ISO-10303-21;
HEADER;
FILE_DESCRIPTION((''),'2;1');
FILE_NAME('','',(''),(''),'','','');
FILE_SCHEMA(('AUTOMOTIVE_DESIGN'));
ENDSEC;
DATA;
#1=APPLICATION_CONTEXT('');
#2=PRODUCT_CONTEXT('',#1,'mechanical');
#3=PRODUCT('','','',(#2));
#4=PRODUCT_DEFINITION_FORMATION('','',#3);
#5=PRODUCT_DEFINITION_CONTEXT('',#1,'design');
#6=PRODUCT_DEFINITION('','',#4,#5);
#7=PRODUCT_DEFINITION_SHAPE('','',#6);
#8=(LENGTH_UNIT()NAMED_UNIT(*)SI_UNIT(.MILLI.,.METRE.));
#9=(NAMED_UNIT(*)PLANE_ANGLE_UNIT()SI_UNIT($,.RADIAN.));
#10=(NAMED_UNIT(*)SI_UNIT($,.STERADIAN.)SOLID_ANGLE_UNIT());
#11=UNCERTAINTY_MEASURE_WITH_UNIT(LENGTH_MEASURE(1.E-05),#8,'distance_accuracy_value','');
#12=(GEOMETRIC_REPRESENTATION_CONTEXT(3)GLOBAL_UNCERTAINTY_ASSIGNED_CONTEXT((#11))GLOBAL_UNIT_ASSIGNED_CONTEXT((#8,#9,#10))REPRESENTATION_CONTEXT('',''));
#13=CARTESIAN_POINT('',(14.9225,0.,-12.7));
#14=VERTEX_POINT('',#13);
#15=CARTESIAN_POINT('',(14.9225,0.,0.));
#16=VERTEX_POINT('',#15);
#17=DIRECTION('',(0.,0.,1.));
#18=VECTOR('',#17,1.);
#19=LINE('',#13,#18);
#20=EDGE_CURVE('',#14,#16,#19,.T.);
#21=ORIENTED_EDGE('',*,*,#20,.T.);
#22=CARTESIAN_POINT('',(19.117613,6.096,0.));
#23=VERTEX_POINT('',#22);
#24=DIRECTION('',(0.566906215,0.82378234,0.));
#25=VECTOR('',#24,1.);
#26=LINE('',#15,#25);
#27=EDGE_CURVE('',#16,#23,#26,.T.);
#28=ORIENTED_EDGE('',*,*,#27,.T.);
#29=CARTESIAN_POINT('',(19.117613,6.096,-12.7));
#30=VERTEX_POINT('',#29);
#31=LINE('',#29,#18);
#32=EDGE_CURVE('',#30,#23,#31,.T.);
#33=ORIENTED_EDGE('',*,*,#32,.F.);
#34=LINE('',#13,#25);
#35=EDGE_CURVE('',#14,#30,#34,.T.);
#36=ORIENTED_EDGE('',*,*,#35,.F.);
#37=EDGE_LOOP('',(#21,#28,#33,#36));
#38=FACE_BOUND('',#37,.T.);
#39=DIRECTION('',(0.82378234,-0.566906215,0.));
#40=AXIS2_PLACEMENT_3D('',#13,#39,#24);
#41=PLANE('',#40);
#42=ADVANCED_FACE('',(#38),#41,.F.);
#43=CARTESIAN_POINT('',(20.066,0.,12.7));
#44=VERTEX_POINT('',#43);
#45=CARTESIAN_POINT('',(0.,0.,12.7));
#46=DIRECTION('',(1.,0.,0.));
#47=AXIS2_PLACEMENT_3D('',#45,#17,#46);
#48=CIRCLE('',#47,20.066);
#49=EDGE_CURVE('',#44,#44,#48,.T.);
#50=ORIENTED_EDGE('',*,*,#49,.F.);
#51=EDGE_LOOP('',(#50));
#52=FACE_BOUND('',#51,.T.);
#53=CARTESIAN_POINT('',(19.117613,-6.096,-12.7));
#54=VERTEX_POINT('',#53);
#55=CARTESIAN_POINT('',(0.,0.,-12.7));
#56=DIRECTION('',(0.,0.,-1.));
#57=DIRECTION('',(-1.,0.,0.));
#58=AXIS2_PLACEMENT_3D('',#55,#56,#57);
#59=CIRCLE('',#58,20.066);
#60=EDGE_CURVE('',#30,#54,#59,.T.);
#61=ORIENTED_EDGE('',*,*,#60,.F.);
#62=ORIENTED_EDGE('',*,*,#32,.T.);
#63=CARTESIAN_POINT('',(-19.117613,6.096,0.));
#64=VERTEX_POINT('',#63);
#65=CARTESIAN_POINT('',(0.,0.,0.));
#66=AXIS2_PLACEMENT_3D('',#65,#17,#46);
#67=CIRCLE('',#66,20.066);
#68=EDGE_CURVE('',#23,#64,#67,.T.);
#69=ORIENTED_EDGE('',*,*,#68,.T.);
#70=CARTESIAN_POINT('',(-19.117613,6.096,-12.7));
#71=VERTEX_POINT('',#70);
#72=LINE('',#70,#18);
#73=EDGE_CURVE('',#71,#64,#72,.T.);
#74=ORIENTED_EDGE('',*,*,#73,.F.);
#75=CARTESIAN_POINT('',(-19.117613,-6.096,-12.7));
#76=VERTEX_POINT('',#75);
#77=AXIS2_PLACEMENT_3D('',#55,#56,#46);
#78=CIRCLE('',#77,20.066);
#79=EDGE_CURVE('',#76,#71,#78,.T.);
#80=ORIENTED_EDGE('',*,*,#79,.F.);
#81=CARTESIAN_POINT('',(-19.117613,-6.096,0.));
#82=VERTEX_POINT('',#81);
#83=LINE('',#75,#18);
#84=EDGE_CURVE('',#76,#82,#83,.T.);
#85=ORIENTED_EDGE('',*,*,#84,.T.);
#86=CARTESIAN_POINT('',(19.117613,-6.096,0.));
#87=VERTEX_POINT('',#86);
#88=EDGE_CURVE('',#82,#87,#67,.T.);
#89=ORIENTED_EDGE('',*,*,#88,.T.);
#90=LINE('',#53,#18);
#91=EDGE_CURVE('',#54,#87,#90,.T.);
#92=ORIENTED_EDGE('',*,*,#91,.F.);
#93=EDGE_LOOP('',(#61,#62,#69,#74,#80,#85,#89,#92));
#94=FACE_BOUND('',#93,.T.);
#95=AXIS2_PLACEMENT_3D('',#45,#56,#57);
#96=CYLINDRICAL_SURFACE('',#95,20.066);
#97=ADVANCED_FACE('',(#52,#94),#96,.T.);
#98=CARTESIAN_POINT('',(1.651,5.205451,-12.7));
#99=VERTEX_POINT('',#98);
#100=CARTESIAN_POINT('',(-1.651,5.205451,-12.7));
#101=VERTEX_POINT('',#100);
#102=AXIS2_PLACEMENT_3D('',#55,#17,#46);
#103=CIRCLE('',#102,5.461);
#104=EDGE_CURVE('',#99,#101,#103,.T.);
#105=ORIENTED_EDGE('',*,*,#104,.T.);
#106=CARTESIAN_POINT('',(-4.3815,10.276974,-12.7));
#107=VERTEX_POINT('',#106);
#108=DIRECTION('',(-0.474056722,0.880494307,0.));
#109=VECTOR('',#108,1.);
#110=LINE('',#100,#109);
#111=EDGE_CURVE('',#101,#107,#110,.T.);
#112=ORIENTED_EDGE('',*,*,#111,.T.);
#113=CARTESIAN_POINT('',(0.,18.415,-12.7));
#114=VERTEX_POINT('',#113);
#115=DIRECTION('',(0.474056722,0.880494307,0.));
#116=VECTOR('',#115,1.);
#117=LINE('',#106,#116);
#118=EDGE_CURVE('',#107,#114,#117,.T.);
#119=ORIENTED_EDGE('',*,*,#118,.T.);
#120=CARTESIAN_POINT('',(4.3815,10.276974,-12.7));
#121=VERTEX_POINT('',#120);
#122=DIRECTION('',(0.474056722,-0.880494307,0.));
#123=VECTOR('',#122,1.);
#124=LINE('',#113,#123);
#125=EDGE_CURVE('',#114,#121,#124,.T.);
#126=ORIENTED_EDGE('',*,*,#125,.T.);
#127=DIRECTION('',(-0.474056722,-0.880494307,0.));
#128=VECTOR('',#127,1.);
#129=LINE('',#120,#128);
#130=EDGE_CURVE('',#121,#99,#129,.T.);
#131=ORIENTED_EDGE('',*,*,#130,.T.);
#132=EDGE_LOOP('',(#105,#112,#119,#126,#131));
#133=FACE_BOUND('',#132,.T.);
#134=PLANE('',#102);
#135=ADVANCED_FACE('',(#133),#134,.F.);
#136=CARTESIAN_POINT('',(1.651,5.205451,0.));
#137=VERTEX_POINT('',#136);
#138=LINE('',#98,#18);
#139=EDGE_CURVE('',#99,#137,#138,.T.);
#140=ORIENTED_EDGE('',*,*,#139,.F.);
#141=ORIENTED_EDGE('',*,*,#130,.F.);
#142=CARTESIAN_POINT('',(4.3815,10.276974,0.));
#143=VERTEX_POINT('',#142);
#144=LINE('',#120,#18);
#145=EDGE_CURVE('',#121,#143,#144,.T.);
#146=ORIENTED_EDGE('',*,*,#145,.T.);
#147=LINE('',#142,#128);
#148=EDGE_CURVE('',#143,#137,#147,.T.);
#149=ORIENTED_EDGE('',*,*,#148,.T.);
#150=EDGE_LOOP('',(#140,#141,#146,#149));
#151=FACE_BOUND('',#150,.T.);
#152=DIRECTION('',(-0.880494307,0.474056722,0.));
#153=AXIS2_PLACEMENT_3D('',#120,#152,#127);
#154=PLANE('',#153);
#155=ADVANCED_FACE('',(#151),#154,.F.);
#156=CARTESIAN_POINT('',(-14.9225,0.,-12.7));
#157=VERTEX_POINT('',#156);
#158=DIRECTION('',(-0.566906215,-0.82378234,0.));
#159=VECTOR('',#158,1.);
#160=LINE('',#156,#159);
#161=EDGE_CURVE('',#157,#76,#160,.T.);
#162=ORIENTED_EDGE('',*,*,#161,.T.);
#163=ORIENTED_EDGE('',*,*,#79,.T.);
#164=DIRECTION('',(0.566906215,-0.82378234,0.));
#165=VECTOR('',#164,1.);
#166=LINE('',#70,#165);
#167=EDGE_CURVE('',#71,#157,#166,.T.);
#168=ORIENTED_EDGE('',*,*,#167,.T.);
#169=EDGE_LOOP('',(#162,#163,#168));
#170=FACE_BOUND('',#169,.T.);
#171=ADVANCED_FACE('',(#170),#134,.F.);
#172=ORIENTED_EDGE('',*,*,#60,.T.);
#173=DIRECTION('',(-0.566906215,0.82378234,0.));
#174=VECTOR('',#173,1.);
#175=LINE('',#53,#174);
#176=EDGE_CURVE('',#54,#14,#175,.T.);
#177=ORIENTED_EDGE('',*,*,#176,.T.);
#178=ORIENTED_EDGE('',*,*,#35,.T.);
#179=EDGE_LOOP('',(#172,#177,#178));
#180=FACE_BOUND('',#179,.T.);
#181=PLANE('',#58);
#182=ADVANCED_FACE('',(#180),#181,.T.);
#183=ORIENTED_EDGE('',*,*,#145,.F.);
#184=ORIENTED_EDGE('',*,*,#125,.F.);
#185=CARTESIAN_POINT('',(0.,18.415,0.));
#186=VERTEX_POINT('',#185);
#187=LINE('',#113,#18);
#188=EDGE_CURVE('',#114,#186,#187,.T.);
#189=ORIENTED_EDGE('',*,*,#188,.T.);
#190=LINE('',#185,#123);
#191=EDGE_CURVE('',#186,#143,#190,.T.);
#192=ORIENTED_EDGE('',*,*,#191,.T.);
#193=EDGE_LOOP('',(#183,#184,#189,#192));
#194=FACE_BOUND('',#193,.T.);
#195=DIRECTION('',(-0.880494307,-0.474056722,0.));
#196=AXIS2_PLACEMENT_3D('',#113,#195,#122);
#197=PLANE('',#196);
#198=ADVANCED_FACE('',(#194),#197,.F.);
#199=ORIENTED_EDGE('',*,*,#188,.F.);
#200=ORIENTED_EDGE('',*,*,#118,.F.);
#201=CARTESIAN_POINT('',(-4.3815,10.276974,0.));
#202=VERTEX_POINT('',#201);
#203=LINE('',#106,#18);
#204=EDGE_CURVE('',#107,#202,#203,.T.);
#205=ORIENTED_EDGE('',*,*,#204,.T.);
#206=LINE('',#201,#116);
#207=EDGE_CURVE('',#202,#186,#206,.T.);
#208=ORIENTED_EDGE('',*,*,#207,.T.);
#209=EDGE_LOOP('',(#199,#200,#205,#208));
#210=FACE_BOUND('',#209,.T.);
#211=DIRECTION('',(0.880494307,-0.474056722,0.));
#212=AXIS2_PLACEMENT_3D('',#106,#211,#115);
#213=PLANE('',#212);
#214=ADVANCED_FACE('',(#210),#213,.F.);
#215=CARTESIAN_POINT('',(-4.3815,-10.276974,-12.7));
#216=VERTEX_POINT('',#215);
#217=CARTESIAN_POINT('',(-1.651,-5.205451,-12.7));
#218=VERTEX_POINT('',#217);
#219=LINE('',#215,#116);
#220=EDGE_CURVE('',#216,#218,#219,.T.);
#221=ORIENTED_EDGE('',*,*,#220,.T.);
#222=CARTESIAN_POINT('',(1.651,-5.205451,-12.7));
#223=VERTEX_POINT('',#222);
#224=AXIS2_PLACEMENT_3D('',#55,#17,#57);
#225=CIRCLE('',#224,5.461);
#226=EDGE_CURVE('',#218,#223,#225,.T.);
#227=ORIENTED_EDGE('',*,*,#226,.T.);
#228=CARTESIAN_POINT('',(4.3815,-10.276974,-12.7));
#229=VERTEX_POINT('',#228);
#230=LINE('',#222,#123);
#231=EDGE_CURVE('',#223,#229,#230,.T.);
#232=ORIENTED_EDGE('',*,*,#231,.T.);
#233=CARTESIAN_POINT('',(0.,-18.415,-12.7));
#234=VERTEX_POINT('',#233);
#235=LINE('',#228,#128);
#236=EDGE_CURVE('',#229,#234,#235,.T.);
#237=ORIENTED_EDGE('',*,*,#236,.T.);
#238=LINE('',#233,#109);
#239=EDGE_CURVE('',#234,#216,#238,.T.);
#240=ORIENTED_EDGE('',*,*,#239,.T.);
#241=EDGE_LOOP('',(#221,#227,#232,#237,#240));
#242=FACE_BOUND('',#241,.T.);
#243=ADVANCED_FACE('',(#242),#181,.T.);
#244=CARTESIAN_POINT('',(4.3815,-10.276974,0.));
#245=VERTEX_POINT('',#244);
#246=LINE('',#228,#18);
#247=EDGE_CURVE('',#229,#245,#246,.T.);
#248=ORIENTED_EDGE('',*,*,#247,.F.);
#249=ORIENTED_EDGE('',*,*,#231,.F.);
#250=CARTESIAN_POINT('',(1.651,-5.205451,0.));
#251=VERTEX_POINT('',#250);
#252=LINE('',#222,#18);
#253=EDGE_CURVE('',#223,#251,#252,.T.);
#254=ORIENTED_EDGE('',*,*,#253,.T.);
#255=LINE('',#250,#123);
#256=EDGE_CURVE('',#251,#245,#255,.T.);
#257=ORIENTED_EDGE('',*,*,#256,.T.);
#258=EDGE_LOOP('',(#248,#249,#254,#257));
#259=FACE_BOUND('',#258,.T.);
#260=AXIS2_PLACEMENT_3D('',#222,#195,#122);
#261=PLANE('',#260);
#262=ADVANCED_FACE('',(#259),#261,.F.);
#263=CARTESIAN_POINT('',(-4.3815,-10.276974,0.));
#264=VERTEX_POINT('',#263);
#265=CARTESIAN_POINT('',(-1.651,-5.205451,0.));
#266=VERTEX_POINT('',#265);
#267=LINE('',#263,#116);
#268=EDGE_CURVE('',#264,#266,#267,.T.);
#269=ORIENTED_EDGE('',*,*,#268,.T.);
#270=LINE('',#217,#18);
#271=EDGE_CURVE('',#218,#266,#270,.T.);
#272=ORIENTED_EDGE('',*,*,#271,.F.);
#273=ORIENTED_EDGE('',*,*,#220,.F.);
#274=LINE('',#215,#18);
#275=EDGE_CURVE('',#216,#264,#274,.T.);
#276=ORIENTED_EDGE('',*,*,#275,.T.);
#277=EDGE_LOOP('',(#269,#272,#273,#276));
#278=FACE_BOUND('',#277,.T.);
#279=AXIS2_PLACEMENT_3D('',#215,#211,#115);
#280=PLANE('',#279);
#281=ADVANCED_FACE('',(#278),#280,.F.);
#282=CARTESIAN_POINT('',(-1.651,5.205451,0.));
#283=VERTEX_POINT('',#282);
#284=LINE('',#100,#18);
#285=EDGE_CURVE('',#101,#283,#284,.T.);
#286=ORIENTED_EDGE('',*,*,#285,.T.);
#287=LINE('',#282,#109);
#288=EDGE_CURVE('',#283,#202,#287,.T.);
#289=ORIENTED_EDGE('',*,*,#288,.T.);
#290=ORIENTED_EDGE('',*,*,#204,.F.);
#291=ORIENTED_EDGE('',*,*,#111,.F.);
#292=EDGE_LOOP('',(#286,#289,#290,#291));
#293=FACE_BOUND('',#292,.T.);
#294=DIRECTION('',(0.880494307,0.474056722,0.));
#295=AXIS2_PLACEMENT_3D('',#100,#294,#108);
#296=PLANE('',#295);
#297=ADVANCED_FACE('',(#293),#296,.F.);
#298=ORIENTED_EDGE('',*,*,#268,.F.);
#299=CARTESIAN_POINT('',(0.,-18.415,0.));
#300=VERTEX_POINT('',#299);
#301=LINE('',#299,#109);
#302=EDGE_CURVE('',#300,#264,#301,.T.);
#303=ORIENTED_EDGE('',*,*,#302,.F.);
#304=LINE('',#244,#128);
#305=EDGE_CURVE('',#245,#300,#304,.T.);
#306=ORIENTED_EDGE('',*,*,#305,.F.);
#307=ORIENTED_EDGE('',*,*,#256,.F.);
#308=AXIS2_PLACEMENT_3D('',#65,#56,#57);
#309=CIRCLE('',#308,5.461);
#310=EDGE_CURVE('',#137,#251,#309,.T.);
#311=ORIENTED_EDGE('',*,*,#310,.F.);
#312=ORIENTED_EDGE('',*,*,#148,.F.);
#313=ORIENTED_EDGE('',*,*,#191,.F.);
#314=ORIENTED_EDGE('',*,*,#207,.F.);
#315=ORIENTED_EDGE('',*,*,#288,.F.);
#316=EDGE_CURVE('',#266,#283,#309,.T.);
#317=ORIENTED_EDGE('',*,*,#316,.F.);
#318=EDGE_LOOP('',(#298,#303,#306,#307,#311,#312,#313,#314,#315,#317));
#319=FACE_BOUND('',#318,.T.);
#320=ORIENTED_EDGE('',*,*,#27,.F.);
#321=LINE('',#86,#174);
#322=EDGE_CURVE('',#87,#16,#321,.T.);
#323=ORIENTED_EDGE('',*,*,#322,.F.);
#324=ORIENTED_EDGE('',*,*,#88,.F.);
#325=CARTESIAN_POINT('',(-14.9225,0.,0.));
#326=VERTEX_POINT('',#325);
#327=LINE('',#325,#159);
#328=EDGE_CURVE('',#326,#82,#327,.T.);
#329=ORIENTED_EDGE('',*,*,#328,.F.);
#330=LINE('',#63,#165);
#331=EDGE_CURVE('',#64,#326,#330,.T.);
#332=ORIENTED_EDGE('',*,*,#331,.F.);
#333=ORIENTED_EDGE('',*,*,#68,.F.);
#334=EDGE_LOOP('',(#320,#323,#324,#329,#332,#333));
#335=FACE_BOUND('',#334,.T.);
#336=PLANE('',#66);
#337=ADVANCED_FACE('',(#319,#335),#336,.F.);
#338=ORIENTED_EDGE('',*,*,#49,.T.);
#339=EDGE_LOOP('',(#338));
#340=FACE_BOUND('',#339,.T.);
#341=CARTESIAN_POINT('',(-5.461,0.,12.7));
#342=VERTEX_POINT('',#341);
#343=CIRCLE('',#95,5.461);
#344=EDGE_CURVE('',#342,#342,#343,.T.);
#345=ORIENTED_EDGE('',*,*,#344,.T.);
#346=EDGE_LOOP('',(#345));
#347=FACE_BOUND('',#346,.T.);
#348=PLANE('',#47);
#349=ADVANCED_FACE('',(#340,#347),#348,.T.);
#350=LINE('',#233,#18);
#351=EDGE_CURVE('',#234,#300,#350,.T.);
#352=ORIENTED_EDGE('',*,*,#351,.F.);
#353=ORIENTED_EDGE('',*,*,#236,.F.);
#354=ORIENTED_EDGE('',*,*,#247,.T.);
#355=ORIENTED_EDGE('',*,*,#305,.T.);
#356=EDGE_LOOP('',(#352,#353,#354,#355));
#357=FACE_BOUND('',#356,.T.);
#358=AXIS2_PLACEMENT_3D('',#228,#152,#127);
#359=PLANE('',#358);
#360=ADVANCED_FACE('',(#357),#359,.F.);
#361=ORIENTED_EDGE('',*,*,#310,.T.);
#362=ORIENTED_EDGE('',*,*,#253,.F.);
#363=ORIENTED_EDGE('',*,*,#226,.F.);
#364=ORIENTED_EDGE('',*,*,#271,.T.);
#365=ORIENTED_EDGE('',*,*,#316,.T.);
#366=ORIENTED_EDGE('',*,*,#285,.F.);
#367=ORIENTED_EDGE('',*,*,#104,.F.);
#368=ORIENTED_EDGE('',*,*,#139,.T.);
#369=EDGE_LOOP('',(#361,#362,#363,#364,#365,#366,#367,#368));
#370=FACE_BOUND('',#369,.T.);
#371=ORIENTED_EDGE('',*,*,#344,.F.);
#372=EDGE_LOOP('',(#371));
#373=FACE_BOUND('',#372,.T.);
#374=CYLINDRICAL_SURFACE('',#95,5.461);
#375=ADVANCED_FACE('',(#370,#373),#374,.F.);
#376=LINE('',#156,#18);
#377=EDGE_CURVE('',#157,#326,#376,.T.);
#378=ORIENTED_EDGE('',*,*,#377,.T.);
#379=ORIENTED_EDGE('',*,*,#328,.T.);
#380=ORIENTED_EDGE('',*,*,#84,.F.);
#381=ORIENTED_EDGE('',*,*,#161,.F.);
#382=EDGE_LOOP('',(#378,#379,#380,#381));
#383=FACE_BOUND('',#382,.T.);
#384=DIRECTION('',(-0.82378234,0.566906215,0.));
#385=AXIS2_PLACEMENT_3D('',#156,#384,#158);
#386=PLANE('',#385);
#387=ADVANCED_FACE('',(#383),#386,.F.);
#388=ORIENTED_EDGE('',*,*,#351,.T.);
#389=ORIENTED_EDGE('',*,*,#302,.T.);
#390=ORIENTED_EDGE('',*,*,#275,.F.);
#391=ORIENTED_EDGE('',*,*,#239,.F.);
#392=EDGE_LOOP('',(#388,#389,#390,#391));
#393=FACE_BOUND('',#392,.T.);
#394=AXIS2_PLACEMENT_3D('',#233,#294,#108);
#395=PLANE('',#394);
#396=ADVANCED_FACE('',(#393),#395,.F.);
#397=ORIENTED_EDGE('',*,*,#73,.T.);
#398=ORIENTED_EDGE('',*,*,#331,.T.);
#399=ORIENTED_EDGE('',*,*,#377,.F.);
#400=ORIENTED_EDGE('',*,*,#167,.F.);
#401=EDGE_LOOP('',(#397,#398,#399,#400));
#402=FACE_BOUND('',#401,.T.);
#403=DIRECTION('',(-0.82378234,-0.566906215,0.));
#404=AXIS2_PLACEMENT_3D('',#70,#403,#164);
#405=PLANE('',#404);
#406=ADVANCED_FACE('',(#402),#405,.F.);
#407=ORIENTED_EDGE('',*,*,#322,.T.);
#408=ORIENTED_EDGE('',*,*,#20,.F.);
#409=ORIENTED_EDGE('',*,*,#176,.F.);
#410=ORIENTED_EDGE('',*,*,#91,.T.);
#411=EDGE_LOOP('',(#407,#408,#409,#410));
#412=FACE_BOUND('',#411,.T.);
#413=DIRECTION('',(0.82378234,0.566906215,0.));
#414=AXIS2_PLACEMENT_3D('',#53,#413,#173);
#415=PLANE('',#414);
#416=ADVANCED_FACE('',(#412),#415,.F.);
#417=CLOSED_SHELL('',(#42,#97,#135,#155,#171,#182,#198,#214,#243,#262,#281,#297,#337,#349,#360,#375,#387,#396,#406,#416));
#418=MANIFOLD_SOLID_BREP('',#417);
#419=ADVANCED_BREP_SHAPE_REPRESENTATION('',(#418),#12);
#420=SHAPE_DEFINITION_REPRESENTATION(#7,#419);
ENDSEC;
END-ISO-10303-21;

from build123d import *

# Parameters (mm, degrees)
SKETCH1_R           = 20.066
BOSS_EXTRUDE1_DEPTH = 12.7
SKETCH2_R           = 5.461
CUT_EXTRUDE1_DEPTH  = 13.7
BOSS_EXTRUDE2_DEPTH = 12.7


with BuildPart() as part:
    # Sketch1 → Boss-Extrude1 (new body)
    with BuildSketch(Plane.XY):
        Circle(SKETCH1_R)
    extrude(amount=BOSS_EXTRUDE1_DEPTH)

    # Sketch2 → Cut-Extrude1 (cut, through all)
    with BuildSketch(Plane(origin=(0, 0, 0), x_dir=(-1, 0, 0), z_dir=(0, 0, -1))):
        Circle(SKETCH2_R)
    extrude(amount=-CUT_EXTRUDE1_DEPTH, mode=Mode.SUBTRACT)

    # Sketch3 → Boss-Extrude2 (add)
    with BuildSketch(Plane(origin=(0, 0, 0), x_dir=(-1, 0, 0), z_dir=(0, 0, -1))):
        with BuildLine():
            Line((-19.117613345, -6.096), (-14.9225, 0))
            Line((-14.9225, 0), (-19.117613345, 6.096))
            ThreePointArc((-19.117613345, 6.096), (-20.066, 0), (-19.117613345, -6.096))
        make_face()
        with BuildLine():
            Line((19.117613345, 6.096), (14.9225, 0))
            Line((14.9225, 0), (19.117613345, -6.096))
            ThreePointArc((19.117613345, -6.096), (20.066, 0), (19.117613345, 6.096))
        make_face()
        with BuildLine():
            Line((0, 18.415), (-4.3815, 10.27697427))
            Line((-4.3815, 10.27697427), (-1.651, 5.205450989))
            ThreePointArc((-1.651, 5.205450989), (0, 5.461), (1.651, 5.205450989))
            Line((1.651, 5.205450989), (4.3815, 10.27697427))
            Line((4.3815, 10.27697427), (0, 18.415))
        make_face()
        with BuildLine():
            Line((-1.651, -5.205450989), (-4.3815, -10.27697427))
            Line((-4.3815, -10.27697427), (0, -18.415))
            Line((0, -18.415), (4.3815, -10.27697427))
            Line((4.3815, -10.27697427), (1.651, -5.205450989))
            ThreePointArc((1.651, -5.205450989), (0, -5.461), (-1.651, -5.205450989))
        make_face()
    extrude(amount=BOSS_EXTRUDE2_DEPTH)


solid = part.part
